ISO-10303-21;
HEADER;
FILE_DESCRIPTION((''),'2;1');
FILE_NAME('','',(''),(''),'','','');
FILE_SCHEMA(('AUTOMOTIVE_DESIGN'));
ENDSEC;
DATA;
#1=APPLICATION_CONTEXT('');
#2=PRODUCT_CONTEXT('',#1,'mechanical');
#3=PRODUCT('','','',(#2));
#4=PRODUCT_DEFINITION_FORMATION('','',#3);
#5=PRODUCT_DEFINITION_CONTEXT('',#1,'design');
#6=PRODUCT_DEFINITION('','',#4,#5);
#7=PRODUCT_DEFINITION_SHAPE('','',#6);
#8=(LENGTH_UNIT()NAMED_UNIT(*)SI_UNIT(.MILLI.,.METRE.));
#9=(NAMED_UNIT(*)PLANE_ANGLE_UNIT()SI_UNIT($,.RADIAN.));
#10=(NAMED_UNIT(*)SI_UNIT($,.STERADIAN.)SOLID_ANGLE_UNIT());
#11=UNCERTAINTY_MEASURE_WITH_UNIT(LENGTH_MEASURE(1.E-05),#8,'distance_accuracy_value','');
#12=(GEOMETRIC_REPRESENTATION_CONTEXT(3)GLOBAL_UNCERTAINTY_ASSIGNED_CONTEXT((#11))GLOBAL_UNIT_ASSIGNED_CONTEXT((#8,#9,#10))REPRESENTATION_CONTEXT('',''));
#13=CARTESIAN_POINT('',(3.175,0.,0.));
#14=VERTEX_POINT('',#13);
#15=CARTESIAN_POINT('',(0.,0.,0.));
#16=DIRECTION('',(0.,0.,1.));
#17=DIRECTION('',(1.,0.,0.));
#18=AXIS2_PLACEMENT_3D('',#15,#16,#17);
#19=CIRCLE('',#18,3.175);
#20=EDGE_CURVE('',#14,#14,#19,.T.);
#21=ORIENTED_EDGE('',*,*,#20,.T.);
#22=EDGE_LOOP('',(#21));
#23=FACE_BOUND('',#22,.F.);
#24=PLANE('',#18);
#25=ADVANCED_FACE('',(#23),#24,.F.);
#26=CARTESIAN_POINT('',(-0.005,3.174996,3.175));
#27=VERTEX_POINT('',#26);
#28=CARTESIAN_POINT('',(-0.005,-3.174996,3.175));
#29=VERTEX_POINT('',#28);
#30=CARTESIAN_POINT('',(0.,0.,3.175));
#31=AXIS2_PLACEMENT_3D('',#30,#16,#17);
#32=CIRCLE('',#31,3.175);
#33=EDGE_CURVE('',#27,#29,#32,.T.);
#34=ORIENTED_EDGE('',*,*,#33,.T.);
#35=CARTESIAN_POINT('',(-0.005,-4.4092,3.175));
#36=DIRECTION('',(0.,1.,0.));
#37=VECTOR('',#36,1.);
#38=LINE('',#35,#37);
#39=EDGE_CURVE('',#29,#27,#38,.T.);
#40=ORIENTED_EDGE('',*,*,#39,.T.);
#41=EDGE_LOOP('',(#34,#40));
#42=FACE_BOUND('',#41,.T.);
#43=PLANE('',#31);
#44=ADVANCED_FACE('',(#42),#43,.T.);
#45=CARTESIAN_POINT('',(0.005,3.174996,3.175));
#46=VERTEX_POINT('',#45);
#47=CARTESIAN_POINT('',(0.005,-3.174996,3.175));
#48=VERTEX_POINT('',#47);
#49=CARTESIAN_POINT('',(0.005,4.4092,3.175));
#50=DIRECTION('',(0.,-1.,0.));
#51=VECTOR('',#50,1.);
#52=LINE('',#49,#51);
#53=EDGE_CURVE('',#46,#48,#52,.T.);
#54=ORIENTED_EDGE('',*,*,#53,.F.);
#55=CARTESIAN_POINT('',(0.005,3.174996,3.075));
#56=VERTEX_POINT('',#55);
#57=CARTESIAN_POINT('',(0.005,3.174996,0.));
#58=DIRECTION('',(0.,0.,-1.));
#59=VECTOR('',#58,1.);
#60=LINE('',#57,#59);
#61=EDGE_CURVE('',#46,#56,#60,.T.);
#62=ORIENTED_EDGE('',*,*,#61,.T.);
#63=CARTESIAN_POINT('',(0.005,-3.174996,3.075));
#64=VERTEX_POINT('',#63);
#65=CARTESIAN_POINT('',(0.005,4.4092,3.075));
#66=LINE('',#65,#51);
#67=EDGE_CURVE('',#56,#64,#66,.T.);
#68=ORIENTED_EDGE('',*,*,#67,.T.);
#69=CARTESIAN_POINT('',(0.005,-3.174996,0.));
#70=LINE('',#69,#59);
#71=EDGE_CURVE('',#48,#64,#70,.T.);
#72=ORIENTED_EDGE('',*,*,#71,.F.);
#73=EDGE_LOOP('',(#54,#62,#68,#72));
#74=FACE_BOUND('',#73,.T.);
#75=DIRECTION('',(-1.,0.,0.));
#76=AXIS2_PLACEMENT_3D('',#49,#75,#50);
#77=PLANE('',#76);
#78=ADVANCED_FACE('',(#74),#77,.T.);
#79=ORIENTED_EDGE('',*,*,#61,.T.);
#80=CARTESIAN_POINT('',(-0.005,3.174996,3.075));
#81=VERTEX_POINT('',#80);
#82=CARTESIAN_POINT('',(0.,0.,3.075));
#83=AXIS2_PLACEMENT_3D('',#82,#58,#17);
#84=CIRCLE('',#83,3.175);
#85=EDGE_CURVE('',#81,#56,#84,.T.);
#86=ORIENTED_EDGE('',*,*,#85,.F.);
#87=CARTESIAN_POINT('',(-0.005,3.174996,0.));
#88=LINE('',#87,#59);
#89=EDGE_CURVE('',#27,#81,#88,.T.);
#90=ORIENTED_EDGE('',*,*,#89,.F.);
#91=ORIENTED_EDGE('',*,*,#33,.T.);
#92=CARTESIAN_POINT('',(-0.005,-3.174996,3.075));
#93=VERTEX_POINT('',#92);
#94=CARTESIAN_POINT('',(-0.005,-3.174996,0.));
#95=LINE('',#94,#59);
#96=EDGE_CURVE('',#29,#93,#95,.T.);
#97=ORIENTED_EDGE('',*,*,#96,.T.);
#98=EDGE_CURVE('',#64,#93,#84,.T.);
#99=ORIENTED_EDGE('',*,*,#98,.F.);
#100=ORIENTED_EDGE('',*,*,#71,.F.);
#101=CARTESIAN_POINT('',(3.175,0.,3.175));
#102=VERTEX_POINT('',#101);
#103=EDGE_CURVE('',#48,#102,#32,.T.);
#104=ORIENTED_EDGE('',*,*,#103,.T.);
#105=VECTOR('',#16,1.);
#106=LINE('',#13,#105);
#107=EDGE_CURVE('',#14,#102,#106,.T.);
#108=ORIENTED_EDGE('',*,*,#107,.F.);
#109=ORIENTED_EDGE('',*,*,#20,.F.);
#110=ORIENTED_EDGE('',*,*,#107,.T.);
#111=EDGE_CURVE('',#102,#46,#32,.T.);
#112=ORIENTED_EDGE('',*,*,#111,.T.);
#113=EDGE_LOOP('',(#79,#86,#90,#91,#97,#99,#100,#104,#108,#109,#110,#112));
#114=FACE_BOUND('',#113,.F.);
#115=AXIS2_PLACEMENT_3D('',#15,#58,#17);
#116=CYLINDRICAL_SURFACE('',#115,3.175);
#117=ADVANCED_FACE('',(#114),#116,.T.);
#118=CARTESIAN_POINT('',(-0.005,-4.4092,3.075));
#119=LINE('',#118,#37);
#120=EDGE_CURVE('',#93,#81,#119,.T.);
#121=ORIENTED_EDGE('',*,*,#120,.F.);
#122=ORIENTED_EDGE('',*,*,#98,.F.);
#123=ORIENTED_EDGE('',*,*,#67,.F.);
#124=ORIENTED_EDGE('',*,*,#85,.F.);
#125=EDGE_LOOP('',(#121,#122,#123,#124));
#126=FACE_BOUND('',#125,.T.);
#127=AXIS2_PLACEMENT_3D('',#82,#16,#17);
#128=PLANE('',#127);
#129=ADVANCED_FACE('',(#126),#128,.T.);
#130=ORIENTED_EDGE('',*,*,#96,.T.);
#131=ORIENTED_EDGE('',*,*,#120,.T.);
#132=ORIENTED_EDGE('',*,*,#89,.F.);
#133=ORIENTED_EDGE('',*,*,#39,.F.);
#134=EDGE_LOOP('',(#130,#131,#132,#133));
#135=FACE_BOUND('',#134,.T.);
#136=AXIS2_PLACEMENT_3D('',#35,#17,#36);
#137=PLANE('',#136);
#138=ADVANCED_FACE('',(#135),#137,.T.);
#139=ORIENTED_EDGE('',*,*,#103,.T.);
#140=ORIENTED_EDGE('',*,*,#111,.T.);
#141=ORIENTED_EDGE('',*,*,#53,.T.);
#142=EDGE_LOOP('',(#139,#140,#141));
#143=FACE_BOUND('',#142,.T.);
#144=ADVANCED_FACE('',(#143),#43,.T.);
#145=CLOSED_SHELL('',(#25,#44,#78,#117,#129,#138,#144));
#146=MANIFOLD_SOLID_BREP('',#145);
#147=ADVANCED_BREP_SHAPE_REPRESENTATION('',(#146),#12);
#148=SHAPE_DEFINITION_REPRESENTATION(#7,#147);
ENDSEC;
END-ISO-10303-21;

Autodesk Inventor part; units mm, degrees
ref_plane "YZ Plane" through (0, 0, 0) normal (1, 0, 0) x (0, 1, 0)
ref_plane "XZ Plane" through (0, 0, 0) normal (0, 1, 0) x (-1, 0, 0)
ref_plane "XY Plane" through (0, 0, 0) normal (0, 0, 1) x (1, 0, 0)
sketch "Sketch1" plane through (0, 0, 0) normal (0, 0, 1) x (1, 0, 0)
  circle A0 centre (0, 0) radius 3.175
  dimension "d0" = 6.35
extrude "Extrusion1" add sketch "Sketch1" along normal blind 3.175
sketch "Sketch2" plane through (0, 0, 3.175) normal (0, 0, 1) x (1, 0, 0)
  line L0 (-0.005, 4.4092) -> (0.005, 4.4092)
  line L1 (0.005, 4.4092) -> (0.005, -4.4092)
  line L2 (0.005, -4.4092) -> (-0.005, -4.4092)
  line L3 (-0.005, -4.4092) -> (-0.005, 4.4092)
  line L4 (-0.005, 4.4092) -> (0.005, -4.4092) construction
  line L5 (0.005, 4.4092) -> (-0.005, -4.4092) construction
  point P0 (0, 0)
  dimension "d3" = 8.8185
  dimension "d4" = 0.01
extrude "Extrusion2" cut sketch "Sketch2" against normal blind 0.1
properties part number "DiametricMagnet 1-4 x 1-8"
